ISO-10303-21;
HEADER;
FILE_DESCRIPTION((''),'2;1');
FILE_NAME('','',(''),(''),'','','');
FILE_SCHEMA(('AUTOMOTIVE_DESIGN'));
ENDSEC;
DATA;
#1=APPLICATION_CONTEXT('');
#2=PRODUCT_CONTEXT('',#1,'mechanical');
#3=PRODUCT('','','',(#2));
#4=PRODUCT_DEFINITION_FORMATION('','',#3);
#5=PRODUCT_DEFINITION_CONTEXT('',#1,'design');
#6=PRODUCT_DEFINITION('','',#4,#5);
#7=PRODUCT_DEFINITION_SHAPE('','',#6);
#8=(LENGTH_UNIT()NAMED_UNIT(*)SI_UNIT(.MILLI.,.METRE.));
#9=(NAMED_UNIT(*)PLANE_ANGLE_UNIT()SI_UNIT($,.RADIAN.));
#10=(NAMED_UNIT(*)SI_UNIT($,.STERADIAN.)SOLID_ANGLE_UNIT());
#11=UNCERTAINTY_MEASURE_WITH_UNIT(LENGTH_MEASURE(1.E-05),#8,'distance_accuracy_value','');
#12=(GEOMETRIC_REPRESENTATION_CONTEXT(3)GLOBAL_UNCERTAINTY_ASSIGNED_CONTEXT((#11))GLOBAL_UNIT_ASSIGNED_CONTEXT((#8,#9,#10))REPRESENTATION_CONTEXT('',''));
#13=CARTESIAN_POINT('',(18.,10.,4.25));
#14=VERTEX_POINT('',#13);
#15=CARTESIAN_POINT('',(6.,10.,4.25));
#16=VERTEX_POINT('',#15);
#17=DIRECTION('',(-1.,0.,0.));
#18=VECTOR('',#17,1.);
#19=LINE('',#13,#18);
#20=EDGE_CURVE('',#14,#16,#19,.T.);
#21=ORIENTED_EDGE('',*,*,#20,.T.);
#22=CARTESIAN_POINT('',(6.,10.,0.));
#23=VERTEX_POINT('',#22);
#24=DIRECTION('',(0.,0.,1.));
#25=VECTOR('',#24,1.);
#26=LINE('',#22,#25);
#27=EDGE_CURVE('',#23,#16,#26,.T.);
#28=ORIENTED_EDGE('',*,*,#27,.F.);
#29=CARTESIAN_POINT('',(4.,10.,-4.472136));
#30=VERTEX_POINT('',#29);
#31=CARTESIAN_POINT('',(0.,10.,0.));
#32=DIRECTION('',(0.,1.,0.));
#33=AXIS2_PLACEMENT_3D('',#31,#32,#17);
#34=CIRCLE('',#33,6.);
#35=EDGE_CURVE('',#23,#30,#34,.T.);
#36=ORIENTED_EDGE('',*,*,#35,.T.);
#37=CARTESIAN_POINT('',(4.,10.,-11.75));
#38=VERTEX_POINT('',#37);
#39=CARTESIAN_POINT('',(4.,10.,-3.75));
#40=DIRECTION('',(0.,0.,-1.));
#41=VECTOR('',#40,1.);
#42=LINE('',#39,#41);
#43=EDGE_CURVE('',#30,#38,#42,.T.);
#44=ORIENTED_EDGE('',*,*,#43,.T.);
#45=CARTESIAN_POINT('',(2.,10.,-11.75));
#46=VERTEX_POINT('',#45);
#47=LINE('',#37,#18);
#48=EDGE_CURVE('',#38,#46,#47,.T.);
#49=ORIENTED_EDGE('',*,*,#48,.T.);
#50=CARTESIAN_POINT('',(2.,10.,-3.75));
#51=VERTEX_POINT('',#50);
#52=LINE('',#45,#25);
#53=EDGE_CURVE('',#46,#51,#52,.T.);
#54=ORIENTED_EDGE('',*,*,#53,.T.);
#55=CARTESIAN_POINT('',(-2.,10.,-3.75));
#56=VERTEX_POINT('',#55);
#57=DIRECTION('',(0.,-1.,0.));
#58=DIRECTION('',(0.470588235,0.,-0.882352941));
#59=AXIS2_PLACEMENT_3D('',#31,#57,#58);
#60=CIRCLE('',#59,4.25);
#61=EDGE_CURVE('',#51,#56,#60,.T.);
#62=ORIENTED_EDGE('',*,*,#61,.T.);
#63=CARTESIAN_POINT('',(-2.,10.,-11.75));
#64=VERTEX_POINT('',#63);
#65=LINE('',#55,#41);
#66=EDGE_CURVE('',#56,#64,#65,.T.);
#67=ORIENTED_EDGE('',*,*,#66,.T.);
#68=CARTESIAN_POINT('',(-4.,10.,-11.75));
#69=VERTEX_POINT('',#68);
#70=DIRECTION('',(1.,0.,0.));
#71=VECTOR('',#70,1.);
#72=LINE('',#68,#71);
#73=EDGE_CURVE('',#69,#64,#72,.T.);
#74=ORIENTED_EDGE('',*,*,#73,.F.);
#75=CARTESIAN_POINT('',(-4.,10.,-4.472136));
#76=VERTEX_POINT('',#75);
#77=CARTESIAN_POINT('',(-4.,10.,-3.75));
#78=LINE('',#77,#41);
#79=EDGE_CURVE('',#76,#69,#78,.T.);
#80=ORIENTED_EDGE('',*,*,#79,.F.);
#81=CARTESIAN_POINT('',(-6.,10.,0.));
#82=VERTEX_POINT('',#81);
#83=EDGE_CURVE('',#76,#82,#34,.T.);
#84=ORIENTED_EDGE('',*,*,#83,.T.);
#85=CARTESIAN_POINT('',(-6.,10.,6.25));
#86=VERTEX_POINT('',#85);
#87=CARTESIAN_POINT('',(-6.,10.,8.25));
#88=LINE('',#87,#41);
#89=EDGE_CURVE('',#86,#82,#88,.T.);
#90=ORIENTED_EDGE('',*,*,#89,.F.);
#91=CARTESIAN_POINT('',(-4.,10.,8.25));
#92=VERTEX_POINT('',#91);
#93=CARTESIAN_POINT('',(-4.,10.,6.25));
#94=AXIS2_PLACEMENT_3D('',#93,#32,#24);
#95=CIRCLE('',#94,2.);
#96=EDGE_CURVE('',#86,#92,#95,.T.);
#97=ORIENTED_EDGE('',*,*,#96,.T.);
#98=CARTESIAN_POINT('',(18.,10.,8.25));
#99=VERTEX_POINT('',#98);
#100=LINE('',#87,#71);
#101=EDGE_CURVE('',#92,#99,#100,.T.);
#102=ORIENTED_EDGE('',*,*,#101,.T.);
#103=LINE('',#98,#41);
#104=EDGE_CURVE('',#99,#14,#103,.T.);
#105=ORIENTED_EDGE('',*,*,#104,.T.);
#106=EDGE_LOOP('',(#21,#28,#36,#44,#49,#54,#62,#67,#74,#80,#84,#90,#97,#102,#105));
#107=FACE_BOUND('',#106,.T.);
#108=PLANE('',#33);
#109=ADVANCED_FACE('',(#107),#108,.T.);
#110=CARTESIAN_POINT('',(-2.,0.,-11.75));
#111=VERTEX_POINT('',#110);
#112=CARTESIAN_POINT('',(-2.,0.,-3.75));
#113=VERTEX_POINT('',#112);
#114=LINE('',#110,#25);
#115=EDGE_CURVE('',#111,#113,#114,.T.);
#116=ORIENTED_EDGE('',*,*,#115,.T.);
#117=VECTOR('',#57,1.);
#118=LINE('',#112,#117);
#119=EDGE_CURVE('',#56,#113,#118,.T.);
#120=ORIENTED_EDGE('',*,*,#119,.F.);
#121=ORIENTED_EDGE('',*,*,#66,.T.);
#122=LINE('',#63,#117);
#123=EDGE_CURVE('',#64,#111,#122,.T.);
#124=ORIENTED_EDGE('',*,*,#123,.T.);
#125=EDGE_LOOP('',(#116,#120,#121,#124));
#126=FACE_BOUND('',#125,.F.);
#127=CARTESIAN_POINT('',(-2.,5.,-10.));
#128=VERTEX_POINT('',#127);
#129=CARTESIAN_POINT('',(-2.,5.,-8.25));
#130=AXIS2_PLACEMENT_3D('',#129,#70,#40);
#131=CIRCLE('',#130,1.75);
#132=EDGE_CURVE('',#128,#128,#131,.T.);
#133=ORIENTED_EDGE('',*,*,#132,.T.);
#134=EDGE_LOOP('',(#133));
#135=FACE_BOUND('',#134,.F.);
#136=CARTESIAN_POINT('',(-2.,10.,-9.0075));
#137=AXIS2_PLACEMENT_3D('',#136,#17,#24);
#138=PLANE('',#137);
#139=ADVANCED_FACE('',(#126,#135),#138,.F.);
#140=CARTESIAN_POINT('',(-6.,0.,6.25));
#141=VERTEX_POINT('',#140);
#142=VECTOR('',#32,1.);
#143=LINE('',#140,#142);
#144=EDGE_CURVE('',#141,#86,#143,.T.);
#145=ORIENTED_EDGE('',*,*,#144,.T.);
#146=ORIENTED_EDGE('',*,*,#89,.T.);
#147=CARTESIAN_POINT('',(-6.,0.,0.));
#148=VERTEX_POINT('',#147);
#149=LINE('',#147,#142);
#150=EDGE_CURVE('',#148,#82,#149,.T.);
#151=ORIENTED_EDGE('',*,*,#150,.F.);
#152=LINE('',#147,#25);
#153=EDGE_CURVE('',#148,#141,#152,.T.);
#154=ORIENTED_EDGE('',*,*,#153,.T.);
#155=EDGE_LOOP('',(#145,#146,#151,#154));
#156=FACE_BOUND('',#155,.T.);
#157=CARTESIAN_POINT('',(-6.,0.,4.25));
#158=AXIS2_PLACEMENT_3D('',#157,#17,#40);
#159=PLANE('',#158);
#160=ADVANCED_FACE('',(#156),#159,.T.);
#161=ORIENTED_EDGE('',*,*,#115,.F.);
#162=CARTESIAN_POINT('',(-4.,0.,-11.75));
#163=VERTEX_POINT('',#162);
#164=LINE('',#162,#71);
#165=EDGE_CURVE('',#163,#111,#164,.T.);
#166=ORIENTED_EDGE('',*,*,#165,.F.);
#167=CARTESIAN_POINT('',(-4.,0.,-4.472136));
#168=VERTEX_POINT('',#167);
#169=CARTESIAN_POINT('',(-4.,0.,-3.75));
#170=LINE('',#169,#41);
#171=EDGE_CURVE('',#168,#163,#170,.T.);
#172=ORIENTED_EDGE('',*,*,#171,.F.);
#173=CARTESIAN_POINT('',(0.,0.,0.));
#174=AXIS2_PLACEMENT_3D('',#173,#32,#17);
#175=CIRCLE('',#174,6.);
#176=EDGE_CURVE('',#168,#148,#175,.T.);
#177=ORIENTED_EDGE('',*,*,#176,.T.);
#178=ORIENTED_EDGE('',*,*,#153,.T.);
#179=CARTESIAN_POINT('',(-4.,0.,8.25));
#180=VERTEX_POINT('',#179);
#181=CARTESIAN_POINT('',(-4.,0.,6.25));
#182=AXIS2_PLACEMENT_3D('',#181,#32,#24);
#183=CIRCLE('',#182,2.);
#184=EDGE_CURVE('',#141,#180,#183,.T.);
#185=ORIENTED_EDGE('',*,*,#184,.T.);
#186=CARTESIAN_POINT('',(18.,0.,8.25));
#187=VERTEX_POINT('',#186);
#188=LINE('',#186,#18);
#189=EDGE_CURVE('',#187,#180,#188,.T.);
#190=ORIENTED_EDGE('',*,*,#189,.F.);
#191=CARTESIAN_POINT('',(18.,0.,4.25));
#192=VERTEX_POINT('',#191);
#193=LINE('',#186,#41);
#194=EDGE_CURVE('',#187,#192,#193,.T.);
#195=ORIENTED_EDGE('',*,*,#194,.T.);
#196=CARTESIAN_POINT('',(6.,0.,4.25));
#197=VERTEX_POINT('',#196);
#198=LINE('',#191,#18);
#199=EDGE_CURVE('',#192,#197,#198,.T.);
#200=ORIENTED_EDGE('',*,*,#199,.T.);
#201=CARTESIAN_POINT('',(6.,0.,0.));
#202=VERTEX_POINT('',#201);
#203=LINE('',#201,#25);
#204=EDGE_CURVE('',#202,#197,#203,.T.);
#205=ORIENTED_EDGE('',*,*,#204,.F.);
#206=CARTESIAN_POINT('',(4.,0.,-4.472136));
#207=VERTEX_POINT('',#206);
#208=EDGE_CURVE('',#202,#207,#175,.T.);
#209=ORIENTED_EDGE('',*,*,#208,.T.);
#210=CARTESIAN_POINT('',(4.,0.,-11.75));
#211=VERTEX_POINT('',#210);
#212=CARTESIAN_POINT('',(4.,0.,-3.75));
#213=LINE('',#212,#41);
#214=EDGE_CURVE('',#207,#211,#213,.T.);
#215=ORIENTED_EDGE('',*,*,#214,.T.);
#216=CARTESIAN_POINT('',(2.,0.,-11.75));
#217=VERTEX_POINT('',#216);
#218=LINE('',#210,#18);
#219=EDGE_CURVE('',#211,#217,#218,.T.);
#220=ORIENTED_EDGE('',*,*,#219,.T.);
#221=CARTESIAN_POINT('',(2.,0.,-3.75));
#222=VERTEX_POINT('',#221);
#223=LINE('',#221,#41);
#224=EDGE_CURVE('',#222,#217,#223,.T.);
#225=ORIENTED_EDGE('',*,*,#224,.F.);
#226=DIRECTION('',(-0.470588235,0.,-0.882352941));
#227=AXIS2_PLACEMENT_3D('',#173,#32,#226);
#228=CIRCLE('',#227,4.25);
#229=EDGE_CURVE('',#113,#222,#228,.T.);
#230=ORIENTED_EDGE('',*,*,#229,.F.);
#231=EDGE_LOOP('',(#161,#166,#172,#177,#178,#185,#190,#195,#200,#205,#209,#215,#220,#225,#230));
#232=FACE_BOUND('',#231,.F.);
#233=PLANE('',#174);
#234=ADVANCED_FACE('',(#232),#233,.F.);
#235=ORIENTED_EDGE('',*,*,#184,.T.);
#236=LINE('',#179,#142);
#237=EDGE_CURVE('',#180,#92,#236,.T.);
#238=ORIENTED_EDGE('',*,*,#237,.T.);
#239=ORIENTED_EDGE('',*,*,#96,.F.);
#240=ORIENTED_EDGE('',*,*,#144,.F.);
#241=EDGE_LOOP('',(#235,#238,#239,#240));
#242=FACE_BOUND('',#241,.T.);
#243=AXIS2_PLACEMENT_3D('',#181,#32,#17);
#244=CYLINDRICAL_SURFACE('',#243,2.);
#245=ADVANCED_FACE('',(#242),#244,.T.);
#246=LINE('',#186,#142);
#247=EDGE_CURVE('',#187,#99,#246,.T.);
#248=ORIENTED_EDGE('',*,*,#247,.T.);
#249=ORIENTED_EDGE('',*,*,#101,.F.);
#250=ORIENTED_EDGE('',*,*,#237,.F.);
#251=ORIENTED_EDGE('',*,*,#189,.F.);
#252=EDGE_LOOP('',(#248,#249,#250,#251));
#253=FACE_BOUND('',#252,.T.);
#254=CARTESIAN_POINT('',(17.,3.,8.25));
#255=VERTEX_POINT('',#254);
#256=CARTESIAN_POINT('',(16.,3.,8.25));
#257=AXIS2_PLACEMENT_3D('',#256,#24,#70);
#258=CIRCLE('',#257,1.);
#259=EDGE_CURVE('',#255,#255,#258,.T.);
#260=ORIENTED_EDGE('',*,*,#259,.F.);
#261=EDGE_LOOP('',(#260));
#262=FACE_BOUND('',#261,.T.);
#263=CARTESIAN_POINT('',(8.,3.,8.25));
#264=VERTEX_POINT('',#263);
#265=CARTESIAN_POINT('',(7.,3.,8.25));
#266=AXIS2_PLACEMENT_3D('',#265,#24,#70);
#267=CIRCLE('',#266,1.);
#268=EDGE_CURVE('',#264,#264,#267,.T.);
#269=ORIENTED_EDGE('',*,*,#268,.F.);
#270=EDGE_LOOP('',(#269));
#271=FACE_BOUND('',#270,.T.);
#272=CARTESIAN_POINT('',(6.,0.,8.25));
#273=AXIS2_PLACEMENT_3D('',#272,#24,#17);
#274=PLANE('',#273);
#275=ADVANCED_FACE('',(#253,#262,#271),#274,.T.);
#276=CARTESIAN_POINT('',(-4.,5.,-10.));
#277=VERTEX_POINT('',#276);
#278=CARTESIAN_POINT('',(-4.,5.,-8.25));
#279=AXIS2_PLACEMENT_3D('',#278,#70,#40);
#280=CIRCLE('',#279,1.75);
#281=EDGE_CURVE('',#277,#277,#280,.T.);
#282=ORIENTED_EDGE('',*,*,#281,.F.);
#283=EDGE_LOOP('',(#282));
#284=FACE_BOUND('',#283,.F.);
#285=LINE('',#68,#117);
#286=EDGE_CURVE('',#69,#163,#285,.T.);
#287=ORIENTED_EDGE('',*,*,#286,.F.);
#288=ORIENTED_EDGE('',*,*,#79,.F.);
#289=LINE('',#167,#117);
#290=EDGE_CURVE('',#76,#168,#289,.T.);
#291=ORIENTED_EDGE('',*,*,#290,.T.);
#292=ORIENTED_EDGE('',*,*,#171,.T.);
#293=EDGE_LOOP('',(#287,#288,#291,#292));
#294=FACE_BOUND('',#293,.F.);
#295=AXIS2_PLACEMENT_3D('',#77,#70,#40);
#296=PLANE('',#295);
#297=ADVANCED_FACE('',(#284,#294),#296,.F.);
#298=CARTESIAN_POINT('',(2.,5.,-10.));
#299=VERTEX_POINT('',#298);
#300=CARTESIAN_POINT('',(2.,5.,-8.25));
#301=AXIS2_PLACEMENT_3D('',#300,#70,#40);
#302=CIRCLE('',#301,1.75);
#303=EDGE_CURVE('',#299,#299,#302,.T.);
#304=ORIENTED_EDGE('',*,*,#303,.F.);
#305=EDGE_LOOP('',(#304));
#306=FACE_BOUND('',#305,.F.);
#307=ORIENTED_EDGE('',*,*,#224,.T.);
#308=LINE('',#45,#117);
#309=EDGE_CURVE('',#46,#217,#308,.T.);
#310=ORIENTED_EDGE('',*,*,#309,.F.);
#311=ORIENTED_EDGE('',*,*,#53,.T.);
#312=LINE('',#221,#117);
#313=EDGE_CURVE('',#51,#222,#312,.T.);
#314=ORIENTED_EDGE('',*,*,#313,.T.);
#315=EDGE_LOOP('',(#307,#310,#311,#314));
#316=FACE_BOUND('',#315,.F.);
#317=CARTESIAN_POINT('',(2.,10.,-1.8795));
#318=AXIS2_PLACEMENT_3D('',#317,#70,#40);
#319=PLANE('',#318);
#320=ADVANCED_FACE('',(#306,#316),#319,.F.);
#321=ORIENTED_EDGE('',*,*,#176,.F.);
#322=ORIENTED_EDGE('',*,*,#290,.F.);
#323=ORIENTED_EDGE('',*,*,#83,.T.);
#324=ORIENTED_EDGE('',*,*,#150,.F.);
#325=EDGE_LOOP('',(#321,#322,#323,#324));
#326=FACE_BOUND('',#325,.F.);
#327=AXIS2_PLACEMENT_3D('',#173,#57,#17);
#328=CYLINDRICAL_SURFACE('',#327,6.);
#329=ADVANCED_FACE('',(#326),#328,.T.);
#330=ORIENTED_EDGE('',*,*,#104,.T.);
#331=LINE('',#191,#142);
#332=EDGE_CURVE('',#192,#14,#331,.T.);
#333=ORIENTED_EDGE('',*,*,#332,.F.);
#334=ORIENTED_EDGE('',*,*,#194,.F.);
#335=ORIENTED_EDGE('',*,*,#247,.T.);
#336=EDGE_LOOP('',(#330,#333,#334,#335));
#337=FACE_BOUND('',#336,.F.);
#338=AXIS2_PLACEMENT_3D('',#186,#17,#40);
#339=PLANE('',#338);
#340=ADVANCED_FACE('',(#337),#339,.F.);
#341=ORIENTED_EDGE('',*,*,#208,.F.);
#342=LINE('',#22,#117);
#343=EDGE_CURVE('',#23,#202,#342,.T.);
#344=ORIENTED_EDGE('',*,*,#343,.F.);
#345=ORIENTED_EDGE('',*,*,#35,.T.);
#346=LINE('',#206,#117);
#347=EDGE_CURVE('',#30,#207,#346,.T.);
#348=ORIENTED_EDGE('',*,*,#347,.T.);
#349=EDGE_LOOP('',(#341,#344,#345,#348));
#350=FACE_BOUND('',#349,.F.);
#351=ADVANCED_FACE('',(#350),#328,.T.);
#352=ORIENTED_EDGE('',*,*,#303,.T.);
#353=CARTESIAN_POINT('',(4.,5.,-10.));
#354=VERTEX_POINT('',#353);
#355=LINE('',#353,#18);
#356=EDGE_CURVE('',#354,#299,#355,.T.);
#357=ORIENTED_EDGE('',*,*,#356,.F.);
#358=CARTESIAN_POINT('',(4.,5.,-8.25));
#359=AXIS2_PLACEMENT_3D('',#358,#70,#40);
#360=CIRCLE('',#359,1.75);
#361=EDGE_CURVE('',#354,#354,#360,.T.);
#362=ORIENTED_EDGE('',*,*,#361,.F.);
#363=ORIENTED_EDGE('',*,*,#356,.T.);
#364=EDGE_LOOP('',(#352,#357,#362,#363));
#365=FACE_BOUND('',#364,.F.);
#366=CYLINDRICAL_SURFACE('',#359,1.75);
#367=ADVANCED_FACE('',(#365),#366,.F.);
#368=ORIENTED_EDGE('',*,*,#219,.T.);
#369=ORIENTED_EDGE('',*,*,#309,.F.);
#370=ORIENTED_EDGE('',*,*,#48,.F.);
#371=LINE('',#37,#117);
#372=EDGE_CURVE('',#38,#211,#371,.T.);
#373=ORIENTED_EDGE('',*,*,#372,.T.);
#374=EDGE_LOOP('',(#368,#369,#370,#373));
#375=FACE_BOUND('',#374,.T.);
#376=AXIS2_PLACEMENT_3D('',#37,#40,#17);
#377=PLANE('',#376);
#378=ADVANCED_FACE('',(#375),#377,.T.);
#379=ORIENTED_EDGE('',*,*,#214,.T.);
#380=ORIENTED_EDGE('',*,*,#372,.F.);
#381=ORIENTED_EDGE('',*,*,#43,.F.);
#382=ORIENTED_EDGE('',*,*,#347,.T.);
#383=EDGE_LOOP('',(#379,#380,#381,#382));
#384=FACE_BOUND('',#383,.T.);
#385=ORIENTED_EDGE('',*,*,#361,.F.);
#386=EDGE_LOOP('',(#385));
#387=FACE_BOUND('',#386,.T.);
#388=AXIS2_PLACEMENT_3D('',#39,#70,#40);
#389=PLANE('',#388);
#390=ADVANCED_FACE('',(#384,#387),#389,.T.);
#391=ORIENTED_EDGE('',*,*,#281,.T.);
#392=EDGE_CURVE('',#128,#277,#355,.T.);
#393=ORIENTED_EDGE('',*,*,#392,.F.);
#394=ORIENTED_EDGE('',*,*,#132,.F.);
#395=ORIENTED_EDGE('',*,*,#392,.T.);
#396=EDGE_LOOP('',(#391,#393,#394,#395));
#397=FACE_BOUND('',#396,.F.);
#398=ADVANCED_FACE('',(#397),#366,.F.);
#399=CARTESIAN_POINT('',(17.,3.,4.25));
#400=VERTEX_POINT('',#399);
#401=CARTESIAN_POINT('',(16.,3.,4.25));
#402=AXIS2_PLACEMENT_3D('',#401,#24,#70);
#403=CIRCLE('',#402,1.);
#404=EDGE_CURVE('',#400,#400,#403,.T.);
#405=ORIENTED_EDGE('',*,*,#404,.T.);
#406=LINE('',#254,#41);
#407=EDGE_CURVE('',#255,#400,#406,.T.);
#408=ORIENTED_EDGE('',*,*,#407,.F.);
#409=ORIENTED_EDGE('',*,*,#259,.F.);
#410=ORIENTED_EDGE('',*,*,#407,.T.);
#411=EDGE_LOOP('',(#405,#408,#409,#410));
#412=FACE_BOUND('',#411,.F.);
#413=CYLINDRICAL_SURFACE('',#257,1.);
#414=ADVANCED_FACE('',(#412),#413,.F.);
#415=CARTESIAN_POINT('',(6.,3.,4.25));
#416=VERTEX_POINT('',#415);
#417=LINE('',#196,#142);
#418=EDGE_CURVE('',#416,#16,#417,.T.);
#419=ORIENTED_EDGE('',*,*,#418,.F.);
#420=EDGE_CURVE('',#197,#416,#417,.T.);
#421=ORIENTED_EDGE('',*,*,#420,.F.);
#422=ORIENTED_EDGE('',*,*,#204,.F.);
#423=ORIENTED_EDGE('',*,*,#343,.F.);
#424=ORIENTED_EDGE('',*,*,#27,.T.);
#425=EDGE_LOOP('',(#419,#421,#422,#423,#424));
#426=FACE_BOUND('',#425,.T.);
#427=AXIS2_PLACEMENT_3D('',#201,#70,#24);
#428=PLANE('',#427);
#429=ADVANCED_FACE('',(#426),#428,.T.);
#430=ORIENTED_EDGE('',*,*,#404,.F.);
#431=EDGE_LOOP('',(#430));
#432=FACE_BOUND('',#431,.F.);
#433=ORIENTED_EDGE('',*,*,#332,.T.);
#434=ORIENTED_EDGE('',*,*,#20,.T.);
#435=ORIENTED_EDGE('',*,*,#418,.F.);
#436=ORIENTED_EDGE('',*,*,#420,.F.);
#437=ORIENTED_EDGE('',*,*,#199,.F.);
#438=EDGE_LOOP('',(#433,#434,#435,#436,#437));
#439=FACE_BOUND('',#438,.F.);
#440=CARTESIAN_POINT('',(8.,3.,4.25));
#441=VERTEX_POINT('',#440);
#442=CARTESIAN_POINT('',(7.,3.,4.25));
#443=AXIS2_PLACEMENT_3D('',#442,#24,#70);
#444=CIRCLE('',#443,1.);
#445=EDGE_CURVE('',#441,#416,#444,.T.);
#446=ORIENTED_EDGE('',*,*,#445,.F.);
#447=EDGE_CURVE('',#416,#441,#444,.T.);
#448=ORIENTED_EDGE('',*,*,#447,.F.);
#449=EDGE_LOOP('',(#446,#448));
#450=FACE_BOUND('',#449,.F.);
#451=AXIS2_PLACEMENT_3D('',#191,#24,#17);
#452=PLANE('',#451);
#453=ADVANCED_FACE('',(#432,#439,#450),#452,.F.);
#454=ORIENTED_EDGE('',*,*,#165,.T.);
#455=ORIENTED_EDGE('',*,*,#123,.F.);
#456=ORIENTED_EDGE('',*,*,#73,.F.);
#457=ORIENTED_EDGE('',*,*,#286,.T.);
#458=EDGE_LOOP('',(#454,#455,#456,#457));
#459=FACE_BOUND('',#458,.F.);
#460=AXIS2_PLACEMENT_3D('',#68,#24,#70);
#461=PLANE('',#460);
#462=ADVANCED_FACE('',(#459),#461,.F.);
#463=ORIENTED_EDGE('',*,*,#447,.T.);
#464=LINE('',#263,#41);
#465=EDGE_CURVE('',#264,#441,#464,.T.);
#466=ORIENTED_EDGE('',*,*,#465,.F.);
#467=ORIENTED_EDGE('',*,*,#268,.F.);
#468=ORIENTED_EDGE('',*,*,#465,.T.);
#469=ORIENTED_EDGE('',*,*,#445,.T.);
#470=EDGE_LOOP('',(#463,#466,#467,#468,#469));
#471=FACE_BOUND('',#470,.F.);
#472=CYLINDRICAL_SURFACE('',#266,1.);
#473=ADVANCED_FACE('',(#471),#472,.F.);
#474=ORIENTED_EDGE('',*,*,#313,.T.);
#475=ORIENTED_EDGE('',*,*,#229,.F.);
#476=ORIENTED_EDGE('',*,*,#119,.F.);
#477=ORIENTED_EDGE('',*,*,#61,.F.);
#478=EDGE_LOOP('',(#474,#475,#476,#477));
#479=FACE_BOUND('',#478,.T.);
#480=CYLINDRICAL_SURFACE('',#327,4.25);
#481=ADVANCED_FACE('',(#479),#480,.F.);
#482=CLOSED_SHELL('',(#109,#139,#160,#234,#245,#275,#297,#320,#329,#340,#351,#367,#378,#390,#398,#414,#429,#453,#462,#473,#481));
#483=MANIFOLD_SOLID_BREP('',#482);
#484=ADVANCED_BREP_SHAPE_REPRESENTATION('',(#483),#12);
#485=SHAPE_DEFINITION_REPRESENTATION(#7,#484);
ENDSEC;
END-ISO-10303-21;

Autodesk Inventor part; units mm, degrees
ref_plane "YZ Plane" through (0, 0, 0) normal (1, 0, 0) x (0, 1, 0)
ref_plane "XZ Plane" through (0, 0, 0) normal (0, 1, 0) x (-1, 0, 0)
ref_plane "XY Plane" through (0, 0, 0) normal (0, 0, 1) x (1, 0, 0)
sketch "Sketch1" plane through (0, 0, 0) normal (0, 1, 0) x (-1, 0, 0)
  circle A0 centre (0, 0) radius 4.25
  circle A1 centre (0, 0) radius 6
  line L0 (6, 0) -> (-6, 0)
  line L1 (-6, 0) -> (-6, 8.25)
  line L2 (-6, 8.25) -> (6, 8.25)
  line L3 (6, 8.25) -> (6, 0)
  line L4 (6, 8.25) -> (-18, 8.25)
  line L5 (-18, 8.25) -> (-18, 4.25)
  line L6 (-18, 4.25) -> (6, 4.25)
  line L7 (6, 4.25) -> (6, 8.25)
  point P0 (-4.2353, 4.25)
  point P1 (4.2353, 4.25)
  point P2 (6, 8.25)
  point P3 (-6, 4.25)
  point P4 (6, 4.25)
  dimension "d1" = 12
  dimension "d0" = 8.5
  dimension "d2" = 4
  dimension "d3" = 6
  dimension "d4" = 18
extrude "Extrusion1" add sketch "Sketch1" along normal blind 10 contours L0 A1 A0 | A0 L6 A1 L0 | A0 L0 A1 L6 | L6 A1 | A1 L6 L3 | L6 L1 L2 L3 A1 | A1 L1 L6 | L6 L5 L4 L1
sketch "Sketch2" plane through (0, 10, 0) normal (0, 1, 0) x (1, 0, 0)
  line L0 (-2, 1.8795) -> (2, 1.8795)
  line L1 (2, 1.8795) -> (2, 9.0075)
  line L2 (2, 9.0075) -> (-2, 9.0075)
  line L3 (-2, 9.0075) -> (-2, 1.8795)
  point P0 (0, 0)
  dimension "d7" = 2
  dimension "d8" = 2
extrude "Extrusion2" cut sketch "Sketch2" against normal blind 10
sketch "Sketch3" plane through (0, 10, 0) normal (0, 1, 0) x (1, 0, 0)
  line L0 (2, 3.75) -> (2, 5.6569) projected
  line L1 (2, 3.75) -> (4, 3.75)
  line L2 (4, 3.75) -> (4, 11.75)
  line L3 (4, 11.75) -> (2, 11.75)
  line L4 (2, 11.75) -> (2, 3.75)
  line L5 (-2, 3.75) -> (-2, 5.6569) projected
  line L6 (-2, 3.75) -> (-4, 3.75)
  line L7 (-4, 3.75) -> (-4, 11.75)
  line L8 (-4, 11.75) -> (-2, 11.75)
  line L9 (-2, 11.75) -> (-2, 3.75)
  point P0 (0, 0)
  dimension "d11" = 2
  dimension "d12" = 2
  dimension "d13" = 8
  dimension "d14" = 8
extrude "Extrusion3" add sketch "Sketch3" against normal blind 10
sketch "Sketch4" plane through (4, 10, -4.4721) normal (1, 0, 0) x (0, 0, -1)
  circle A0 centre (3.7779, -5) radius 1.75
  line L0 (7.2779, 0) -> (7.2779, -10) projected
  point P0 (-4.4721, -10)
  dimension "d17" = 3.5
  dimension "d18" = 3.5
extrude "Extrusion4" cut sketch "Sketch4" against normal through all
sketch "Sketch5" plane through (-6, 0, 8.25) normal (0, 0, 1) x (1, 0, 0)
  circle A0 centre (13, 3) radius 1
  circle A1 centre (22, 3) radius 1
  line L0 (0, 0) -> (0, 10) projected
  line L1 (0, 10) -> (24, 10) projected
  point P0 (6, 0)
  dimension "d21" = 2
  dimension "d22" = 9
  dimension "d24" = 7
  dimension "d27" = 16
extrude "Extrusion5" cut sketch "Sketch5" against normal through all
fillet "Fillet1" radius 2 1 edges at (-6, 5, 8.25)
properties part number "zstop"
